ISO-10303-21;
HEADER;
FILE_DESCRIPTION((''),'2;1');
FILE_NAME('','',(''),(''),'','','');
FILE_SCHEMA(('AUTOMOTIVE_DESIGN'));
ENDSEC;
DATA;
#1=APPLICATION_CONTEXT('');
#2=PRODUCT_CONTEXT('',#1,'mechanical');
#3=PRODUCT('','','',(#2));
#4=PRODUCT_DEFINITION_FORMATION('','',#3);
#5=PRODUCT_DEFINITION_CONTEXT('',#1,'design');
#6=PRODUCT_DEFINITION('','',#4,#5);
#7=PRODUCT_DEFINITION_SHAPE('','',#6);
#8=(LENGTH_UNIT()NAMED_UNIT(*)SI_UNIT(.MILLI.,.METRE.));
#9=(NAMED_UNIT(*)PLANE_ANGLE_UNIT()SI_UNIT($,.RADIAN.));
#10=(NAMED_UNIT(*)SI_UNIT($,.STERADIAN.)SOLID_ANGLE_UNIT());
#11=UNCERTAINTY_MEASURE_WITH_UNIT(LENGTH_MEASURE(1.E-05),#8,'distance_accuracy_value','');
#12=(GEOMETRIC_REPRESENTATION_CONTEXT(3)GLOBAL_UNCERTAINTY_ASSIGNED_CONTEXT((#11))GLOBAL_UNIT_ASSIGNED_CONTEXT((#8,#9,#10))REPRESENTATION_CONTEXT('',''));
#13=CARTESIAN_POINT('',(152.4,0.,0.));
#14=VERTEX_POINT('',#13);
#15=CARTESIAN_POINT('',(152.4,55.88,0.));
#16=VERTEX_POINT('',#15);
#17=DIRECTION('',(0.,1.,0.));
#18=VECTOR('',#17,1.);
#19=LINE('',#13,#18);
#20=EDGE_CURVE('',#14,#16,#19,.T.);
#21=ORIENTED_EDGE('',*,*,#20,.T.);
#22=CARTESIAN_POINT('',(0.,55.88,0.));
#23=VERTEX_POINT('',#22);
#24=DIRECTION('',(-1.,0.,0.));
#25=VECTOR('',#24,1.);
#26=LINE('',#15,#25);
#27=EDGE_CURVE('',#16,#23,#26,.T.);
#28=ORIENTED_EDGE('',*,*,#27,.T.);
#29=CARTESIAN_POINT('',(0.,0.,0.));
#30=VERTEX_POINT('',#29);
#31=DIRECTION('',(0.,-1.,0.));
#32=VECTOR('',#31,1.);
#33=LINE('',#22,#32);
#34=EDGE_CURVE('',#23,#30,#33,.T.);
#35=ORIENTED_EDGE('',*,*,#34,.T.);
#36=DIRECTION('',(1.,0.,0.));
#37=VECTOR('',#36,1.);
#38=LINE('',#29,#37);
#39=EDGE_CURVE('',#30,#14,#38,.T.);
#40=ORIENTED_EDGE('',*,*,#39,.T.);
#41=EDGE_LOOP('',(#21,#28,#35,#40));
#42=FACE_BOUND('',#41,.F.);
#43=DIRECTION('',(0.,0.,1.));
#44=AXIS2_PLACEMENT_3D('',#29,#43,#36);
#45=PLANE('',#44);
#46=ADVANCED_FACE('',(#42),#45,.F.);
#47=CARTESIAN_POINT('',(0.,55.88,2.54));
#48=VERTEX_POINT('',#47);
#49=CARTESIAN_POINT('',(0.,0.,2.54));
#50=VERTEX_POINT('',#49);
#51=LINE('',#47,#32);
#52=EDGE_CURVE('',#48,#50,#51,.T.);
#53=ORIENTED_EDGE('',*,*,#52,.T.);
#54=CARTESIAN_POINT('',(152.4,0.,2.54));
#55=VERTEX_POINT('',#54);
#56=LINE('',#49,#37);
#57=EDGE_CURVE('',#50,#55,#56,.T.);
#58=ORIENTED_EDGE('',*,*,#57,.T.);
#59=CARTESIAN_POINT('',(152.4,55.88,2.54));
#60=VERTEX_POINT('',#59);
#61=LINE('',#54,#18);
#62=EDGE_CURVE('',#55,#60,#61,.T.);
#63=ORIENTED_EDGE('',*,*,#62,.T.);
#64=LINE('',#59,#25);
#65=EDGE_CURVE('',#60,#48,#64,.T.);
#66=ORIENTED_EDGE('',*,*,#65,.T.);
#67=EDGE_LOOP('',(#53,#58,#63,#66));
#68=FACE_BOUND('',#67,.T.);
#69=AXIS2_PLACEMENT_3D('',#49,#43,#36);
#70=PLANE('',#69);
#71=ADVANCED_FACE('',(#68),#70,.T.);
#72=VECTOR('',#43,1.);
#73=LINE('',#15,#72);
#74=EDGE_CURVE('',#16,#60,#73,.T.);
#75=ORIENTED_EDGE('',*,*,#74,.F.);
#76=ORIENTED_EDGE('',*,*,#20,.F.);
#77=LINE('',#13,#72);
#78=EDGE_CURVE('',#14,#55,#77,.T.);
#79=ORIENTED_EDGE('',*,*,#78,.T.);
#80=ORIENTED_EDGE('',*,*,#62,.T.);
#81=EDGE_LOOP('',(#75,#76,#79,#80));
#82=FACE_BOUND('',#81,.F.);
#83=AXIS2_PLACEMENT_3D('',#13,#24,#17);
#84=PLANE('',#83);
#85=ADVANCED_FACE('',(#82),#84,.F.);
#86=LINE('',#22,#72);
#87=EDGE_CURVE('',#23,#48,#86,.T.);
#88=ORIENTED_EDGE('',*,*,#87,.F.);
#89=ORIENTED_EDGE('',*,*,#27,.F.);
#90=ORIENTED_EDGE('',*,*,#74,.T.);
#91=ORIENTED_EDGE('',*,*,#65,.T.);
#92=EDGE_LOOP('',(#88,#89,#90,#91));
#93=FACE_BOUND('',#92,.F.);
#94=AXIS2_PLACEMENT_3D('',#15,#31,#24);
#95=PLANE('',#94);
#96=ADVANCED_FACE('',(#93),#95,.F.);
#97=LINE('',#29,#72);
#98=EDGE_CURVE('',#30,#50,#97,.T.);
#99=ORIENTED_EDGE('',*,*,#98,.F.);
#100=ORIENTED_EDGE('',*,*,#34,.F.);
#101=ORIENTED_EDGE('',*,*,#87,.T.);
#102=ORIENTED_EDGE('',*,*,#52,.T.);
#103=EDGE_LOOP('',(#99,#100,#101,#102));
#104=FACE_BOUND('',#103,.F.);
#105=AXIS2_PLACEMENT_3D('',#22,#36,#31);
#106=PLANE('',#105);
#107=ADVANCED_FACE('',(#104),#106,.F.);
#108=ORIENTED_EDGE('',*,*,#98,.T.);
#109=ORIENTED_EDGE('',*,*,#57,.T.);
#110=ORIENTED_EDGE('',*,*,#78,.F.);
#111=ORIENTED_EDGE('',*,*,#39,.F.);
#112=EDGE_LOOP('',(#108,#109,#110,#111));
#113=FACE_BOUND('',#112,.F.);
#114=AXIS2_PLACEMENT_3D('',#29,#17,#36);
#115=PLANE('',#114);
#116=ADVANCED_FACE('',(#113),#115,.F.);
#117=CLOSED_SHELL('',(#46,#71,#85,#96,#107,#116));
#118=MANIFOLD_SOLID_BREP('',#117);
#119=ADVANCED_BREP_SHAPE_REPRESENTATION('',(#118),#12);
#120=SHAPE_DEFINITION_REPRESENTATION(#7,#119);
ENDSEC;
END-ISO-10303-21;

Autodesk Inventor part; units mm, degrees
ref_plane "YZ Plane" through (0, 0, 0) normal (1, 0, 0) x (0, 1, 0)
ref_plane "XZ Plane" through (0, 0, 0) normal (0, 1, 0) x (-1, 0, 0)
ref_plane "XY Plane" through (0, 0, 0) normal (0, 0, 1) x (1, 0, 0)
sketch "Sketch1" plane through (0, 0, 0) normal (0, 0, 1) x (1, 0, 0)
  line L0 (0, 0) -> (152.4, 0)
  line L1 (152.4, 0) -> (152.4, 55.88)
  line L2 (152.4, 55.88) -> (0, 55.88)
  line L3 (0, 55.88) -> (0, 0)
  dimension "d0" = 152.4
  dimension "d1" = 55.88
extrude "Extrusion1" add sketch "Sketch1" along normal blind 2.54
properties part number "baseboard"
